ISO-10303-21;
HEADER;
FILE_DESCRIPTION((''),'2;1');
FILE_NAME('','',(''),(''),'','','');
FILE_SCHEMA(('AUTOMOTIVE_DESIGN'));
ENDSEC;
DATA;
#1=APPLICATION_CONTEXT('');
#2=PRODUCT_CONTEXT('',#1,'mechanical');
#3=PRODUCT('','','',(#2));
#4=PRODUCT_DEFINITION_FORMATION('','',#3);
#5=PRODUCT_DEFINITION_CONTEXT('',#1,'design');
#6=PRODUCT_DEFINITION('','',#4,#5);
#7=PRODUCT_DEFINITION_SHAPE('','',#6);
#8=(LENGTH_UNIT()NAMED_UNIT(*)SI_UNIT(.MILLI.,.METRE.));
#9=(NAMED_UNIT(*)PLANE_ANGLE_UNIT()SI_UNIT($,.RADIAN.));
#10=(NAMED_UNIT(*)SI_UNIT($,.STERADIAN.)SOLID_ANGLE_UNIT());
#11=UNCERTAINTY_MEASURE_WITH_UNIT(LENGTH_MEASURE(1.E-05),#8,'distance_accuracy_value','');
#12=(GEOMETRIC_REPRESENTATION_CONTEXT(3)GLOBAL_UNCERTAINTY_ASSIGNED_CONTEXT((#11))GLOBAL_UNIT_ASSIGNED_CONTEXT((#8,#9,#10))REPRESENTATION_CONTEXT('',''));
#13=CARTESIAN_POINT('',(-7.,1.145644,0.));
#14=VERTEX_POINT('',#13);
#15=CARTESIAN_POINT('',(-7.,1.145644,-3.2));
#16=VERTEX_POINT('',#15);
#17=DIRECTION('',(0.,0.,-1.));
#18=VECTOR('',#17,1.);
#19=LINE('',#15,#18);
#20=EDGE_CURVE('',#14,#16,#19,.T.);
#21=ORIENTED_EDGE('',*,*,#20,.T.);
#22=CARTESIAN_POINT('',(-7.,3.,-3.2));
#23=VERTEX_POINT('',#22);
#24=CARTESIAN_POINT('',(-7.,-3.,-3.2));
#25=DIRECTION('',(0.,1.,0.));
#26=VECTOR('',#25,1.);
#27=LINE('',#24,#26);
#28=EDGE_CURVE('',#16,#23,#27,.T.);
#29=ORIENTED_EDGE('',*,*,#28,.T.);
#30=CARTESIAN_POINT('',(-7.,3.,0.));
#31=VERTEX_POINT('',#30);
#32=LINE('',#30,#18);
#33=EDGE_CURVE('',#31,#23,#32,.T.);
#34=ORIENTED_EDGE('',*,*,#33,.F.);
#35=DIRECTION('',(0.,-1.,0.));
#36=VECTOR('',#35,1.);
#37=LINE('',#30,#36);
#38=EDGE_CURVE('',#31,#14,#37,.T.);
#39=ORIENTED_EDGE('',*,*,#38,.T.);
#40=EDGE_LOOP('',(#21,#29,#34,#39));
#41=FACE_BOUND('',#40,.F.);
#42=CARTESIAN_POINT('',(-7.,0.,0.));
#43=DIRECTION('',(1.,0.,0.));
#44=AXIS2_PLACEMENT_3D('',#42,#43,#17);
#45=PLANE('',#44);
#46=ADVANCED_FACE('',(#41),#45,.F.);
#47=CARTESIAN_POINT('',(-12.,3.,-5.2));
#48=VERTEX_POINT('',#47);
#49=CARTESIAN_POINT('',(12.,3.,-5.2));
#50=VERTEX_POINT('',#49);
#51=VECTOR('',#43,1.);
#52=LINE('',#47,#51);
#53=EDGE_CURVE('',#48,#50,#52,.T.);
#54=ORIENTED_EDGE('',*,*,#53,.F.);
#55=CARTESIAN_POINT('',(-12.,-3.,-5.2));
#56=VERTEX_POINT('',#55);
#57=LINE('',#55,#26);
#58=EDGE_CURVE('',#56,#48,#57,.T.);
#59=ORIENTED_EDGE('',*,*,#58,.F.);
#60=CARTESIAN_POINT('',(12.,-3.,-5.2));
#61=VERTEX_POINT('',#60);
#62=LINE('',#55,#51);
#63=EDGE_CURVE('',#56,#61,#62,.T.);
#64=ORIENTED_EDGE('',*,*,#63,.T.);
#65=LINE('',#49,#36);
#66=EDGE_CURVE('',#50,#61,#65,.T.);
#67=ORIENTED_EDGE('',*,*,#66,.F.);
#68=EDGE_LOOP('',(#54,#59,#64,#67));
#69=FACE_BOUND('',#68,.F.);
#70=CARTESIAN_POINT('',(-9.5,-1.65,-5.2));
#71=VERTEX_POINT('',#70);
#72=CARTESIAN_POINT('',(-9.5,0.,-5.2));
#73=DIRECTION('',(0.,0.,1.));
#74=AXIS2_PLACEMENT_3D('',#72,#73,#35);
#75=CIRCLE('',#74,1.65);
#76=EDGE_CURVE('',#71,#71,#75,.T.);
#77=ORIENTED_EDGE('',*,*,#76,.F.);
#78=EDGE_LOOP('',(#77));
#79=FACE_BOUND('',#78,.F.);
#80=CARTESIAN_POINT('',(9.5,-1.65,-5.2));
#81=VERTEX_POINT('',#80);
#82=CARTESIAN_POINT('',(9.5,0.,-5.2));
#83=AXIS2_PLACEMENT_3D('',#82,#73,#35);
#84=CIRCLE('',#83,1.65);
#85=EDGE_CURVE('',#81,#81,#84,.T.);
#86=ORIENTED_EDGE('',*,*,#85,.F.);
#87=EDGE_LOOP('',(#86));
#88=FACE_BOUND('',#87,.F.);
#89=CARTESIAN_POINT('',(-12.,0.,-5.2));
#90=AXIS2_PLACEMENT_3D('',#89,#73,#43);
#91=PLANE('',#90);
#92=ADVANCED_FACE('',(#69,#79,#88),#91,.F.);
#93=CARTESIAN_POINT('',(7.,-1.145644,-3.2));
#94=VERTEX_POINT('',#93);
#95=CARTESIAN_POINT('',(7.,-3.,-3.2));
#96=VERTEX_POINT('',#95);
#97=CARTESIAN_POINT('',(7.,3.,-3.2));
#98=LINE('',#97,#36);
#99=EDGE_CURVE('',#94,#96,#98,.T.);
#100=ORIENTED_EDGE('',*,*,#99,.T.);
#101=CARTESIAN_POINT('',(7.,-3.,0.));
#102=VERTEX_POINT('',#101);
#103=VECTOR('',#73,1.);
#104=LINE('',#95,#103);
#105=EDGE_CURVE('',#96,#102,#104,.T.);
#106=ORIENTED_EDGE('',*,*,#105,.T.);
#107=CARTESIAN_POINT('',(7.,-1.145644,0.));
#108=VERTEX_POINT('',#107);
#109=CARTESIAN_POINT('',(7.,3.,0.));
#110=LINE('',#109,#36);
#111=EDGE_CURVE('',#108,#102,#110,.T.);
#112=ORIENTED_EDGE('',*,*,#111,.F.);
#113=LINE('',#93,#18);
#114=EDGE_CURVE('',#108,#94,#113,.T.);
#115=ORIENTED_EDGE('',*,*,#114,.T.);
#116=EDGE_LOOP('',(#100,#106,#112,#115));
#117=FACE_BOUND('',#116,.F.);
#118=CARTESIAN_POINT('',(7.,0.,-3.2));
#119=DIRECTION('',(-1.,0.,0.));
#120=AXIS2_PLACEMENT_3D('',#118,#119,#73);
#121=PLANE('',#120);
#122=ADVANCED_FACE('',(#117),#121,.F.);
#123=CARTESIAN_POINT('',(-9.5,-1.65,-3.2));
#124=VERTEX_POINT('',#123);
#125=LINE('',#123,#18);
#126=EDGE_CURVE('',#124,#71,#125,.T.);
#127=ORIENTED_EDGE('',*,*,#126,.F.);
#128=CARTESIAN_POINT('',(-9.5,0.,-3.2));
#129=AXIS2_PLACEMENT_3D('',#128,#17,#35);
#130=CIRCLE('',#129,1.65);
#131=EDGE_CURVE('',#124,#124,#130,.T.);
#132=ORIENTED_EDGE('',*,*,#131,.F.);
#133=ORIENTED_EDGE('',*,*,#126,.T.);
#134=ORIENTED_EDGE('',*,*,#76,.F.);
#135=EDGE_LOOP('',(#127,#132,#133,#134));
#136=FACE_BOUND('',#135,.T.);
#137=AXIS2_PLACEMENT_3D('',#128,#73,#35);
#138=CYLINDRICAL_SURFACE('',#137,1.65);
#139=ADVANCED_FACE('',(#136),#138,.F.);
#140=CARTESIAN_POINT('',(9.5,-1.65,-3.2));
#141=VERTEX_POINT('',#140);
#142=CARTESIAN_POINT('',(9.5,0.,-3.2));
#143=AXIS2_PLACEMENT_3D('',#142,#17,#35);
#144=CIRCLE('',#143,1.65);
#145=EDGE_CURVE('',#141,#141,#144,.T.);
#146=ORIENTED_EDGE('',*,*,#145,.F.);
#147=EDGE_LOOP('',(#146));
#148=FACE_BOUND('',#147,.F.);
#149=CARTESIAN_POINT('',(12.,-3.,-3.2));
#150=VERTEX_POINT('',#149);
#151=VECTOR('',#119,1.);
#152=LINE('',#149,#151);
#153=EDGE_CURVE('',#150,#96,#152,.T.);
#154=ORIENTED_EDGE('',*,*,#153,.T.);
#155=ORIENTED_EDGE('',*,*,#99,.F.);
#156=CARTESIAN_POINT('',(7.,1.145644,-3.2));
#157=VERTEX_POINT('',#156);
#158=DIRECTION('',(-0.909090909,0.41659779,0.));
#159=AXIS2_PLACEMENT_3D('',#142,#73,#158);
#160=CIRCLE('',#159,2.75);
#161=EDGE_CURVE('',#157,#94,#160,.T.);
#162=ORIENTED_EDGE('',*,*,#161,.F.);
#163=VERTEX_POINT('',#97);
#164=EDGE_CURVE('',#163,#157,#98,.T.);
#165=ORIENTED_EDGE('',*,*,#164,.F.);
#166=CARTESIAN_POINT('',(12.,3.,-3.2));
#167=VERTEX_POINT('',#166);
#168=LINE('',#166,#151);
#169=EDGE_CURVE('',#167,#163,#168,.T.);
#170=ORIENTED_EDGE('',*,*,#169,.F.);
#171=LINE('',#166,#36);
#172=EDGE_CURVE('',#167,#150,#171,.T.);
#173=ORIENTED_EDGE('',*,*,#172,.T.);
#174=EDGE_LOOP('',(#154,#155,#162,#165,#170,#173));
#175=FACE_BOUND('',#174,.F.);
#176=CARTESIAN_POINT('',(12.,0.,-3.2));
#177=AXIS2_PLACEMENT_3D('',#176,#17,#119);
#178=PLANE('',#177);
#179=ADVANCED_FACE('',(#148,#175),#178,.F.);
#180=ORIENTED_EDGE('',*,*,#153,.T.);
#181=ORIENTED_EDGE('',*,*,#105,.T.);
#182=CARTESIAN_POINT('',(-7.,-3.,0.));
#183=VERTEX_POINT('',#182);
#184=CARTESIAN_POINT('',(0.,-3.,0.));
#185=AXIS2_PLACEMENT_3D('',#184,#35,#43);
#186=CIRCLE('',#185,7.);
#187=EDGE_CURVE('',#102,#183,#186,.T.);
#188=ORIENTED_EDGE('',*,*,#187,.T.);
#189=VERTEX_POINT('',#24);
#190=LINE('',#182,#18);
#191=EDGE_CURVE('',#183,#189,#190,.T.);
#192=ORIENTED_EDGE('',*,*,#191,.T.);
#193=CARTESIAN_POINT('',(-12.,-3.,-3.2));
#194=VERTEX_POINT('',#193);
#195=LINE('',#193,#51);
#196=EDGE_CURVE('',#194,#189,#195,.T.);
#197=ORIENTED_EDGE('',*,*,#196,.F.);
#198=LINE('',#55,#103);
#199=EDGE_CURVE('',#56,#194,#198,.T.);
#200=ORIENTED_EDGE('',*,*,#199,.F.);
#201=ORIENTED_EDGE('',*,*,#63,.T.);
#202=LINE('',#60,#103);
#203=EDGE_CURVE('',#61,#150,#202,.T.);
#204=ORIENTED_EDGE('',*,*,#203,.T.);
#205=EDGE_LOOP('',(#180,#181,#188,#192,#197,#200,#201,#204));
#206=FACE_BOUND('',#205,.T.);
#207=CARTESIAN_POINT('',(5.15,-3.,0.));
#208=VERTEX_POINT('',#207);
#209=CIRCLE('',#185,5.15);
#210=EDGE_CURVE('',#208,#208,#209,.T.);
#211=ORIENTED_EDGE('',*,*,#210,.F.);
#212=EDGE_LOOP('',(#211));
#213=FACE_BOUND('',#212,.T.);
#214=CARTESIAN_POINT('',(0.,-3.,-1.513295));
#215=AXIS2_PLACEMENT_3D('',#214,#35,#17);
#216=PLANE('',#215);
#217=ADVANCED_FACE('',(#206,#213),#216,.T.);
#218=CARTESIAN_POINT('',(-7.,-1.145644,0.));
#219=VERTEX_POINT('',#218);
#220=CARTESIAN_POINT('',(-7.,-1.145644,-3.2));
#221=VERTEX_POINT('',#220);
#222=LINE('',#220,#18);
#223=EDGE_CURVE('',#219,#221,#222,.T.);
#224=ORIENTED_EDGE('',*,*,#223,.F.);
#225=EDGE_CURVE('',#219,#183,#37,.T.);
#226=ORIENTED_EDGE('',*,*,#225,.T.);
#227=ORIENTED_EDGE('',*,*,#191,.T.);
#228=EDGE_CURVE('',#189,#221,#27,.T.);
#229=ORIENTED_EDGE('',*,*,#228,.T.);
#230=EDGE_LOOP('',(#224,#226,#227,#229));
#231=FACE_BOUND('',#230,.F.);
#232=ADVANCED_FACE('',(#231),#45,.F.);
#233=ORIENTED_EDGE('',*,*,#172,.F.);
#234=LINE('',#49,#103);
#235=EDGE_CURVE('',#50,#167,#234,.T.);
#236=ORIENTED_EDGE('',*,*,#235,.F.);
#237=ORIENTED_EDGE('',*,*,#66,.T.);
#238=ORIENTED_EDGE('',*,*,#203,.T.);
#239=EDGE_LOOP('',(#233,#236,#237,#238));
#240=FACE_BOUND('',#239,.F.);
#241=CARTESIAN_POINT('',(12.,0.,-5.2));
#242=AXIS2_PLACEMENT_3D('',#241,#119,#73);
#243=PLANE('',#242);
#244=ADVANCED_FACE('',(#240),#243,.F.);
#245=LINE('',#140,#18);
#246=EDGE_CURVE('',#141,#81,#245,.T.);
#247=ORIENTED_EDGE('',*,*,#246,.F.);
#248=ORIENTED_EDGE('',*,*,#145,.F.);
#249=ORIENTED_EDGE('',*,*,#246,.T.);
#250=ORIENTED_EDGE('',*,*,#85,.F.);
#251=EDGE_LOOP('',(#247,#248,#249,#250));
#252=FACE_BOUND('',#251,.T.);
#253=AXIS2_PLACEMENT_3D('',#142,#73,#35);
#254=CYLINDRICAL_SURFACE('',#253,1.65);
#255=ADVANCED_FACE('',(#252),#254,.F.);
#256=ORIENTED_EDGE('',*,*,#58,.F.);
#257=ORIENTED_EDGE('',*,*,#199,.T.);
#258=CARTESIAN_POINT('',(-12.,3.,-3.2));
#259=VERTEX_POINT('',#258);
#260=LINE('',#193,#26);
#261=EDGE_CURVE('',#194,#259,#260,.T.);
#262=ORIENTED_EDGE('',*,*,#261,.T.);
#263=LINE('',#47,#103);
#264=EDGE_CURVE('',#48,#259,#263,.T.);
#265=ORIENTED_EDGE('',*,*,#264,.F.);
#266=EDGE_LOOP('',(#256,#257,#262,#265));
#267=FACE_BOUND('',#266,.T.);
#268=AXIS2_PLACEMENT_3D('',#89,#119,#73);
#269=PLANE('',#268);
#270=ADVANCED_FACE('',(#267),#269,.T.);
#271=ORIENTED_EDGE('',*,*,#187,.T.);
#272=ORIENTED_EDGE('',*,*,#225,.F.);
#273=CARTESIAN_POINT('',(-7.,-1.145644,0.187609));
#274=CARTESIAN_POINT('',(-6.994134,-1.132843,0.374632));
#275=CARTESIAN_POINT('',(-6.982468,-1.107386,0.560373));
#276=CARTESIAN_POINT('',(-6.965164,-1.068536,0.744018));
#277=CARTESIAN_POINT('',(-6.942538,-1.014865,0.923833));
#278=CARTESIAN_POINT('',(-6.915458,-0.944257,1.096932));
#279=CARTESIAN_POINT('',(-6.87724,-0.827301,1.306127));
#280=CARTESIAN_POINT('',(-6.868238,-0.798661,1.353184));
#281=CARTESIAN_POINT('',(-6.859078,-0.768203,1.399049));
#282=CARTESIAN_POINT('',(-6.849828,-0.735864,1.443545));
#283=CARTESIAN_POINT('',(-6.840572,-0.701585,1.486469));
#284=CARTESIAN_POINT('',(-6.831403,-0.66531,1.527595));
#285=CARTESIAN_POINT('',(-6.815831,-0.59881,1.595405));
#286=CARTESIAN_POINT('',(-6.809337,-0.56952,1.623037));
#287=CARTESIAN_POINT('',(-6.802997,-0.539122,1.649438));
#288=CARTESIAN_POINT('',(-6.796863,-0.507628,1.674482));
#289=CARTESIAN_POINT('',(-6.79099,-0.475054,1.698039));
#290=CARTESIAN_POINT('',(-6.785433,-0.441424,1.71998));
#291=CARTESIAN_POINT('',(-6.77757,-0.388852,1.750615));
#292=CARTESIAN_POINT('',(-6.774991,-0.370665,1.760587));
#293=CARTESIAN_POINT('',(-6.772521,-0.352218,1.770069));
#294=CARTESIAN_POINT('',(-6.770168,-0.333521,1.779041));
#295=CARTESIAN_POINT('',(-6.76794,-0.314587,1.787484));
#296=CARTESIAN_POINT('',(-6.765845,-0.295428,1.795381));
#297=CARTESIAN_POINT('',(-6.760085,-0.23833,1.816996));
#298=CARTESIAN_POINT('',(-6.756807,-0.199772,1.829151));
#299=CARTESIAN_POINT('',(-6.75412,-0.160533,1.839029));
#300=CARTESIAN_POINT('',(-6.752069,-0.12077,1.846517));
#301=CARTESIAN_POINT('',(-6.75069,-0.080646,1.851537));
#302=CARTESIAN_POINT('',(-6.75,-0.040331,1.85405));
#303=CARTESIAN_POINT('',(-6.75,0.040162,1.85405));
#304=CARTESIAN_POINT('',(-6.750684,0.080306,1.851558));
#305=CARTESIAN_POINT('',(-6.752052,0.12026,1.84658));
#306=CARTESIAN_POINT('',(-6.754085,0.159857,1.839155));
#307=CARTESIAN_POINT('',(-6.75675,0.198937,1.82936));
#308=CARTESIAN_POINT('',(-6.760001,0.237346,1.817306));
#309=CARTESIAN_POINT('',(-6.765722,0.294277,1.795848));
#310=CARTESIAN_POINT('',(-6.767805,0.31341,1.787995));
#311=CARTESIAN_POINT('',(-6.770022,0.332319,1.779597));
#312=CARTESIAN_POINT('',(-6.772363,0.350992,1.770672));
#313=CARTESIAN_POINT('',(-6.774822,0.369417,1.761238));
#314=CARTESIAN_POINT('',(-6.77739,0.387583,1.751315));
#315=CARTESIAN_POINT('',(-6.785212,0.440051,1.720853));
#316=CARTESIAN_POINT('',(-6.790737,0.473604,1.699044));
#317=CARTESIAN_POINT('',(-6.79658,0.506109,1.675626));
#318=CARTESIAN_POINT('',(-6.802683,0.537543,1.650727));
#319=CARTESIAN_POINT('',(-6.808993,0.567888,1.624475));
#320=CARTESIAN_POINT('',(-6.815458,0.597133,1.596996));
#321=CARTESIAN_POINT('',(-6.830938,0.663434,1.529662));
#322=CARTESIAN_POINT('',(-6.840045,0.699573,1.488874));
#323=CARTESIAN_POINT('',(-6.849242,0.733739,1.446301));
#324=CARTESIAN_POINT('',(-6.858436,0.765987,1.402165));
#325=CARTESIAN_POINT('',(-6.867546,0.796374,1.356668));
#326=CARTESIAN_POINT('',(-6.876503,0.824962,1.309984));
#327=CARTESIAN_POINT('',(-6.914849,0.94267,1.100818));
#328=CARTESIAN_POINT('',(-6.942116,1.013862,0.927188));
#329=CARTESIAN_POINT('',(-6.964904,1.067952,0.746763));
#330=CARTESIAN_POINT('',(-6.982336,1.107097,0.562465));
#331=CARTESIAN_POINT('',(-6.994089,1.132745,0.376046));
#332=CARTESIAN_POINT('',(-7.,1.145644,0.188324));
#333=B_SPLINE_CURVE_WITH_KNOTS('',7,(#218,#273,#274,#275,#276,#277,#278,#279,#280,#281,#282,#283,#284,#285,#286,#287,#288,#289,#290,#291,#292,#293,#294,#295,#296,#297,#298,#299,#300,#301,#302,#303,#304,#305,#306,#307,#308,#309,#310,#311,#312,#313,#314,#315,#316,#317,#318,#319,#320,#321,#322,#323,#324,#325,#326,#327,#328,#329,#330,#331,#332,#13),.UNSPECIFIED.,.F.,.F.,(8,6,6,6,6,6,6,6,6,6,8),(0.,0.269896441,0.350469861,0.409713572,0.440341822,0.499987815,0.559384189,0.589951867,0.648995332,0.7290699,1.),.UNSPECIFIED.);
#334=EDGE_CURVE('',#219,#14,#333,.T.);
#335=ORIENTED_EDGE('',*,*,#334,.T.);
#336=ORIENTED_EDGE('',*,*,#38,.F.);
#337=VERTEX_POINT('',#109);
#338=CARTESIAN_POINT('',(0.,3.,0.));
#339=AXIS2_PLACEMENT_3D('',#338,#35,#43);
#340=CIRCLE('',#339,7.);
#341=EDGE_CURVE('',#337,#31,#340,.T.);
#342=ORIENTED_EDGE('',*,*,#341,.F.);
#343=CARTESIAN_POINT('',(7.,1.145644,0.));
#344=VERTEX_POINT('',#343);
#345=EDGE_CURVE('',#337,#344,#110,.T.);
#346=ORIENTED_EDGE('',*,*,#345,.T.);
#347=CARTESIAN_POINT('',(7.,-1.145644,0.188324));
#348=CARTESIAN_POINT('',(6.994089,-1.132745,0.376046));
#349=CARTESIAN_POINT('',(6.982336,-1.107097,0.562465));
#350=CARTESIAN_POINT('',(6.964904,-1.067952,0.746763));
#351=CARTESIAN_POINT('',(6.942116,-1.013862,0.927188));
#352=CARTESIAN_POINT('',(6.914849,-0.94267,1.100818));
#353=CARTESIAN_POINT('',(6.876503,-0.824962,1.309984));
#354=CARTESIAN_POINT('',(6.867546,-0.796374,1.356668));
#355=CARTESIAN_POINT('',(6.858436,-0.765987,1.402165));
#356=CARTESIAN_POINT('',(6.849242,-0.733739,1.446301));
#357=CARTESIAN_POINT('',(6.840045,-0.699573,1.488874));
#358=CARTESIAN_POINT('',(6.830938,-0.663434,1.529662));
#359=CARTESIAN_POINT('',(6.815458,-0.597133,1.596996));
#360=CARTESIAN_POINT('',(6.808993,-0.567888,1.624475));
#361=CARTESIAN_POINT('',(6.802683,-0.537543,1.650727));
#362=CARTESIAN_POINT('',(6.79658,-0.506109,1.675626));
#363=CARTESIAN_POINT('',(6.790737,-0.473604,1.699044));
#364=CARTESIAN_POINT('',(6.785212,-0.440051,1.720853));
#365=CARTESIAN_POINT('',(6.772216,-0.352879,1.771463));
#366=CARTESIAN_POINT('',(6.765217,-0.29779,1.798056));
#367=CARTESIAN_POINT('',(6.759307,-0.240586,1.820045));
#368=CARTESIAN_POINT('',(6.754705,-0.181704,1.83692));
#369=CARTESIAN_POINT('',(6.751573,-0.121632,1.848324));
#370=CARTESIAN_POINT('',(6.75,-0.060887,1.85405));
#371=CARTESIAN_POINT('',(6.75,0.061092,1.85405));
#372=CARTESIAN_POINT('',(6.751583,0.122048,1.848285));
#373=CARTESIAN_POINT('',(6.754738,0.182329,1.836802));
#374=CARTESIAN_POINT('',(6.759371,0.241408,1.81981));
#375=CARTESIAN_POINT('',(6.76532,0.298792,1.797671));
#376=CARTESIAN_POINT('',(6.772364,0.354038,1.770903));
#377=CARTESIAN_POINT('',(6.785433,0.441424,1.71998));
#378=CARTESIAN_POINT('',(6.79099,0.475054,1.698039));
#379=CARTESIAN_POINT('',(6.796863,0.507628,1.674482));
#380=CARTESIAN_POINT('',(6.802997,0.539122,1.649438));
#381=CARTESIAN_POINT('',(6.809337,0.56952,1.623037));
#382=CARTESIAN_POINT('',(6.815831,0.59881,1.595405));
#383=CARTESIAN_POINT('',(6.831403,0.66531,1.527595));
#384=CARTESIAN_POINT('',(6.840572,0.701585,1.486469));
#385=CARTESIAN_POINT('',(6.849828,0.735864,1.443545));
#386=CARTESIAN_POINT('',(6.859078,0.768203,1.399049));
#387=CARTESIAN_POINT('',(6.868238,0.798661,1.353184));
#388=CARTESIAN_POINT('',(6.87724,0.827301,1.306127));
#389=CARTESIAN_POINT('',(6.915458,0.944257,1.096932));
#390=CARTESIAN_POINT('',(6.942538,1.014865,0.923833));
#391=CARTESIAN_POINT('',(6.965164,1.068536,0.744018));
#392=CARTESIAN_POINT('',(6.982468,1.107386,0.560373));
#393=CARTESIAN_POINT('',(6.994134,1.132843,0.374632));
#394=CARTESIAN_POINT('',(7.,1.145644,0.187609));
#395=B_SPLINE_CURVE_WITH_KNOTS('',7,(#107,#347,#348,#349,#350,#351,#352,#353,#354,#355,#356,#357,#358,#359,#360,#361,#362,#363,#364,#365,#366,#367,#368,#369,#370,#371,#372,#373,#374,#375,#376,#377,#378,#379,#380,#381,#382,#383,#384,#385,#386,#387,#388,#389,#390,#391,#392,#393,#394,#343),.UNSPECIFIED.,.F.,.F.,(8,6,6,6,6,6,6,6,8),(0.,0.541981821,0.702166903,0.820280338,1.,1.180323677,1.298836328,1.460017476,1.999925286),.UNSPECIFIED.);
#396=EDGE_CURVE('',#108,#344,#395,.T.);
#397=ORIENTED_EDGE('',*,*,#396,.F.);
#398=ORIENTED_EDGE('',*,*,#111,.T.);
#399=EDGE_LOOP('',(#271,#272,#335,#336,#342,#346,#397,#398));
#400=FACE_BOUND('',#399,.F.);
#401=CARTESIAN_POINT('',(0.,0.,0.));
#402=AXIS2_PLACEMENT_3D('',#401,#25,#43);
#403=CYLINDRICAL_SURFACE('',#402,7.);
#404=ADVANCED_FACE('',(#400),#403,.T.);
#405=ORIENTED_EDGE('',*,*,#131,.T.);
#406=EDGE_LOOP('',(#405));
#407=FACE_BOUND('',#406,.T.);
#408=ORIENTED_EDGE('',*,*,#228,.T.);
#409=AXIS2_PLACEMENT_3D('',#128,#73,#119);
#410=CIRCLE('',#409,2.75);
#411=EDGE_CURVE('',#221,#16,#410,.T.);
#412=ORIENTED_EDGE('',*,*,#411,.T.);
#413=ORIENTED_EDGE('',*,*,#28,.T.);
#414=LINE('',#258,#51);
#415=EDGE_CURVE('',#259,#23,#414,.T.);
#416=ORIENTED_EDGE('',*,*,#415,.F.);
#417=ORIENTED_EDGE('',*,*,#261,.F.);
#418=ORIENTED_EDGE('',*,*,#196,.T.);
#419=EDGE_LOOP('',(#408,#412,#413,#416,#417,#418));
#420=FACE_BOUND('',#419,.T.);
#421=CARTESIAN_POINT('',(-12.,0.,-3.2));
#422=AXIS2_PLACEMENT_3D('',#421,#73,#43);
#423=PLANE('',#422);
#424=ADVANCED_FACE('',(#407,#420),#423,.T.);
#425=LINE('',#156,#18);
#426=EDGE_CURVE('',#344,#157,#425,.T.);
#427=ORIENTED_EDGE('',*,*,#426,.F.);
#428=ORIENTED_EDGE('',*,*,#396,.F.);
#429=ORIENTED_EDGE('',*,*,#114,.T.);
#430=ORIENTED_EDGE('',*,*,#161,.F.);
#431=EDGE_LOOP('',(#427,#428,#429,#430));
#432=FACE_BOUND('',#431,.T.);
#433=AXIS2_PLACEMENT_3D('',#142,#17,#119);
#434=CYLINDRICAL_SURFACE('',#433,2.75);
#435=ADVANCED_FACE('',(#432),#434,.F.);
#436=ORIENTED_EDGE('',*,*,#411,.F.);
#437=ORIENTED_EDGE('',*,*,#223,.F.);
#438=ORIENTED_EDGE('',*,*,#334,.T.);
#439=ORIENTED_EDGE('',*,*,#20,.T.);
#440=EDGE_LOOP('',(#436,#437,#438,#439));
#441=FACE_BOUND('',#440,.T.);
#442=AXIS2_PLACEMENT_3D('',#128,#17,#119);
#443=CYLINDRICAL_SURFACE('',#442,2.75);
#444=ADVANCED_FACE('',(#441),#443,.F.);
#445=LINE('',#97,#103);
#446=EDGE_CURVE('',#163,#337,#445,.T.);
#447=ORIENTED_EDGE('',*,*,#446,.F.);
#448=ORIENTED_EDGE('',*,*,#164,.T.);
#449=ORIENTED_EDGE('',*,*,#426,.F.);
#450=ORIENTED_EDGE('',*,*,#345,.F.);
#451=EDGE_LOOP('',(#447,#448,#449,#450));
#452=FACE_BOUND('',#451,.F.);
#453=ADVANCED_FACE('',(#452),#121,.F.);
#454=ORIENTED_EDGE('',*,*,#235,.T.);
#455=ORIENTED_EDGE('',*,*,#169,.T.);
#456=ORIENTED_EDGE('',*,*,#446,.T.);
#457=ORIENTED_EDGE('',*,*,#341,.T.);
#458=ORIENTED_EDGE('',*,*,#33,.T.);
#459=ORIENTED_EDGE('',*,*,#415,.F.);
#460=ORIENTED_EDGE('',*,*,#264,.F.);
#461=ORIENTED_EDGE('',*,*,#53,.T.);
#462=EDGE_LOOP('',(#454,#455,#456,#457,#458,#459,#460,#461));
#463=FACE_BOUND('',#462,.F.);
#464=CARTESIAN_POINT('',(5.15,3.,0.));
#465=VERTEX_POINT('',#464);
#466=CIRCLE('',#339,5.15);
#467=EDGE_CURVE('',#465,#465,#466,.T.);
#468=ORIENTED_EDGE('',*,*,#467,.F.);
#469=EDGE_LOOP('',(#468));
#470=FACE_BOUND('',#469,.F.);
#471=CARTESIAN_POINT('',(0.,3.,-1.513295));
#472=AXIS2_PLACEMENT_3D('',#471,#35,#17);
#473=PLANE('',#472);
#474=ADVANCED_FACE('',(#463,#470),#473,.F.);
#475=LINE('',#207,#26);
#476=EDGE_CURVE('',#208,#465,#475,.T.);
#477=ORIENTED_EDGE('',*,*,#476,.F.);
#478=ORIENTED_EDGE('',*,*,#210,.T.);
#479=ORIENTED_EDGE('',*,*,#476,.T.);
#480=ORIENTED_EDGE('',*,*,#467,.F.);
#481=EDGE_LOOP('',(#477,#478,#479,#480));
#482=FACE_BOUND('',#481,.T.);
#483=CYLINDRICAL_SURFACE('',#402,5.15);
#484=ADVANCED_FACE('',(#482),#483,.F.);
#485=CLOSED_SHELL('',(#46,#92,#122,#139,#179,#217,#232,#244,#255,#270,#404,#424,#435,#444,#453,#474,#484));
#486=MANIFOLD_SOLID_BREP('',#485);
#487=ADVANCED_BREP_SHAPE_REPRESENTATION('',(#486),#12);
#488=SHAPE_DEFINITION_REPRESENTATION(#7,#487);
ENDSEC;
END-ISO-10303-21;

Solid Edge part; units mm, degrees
sketch "Sketch1" plane through (0, 0, 0) normal (0, -1, 0) x (1, 0, 0)
  circle A0 centre (0, 0) radius 5.15
  line L0 (-12, -5.2) -> (12, -5.2)
  line L1 (12, -5.2) -> (12, -3.2)
  line L2 (12, -3.2) -> (7, -3.2)
  line L3 (7, -3.2) -> (7, 0)
  arc A1 (7, 0) -> (-7, 0) centre (0, 0) ccw
  line L4 (-7, 0) -> (-7, -3.2)
  line L5 (-12, -3.2) -> (-7, -3.2)
  line L6 (-12, -5.2) -> (-12, -3.2)
  dimension "D1" = 14
  dimension "D2" = 2
  dimension "D3" = 24
  dimension "D4" = 2
  dimension "D5" = 10.3
  dimension "D6" = 3.2
extrude "Protrusion1" add sketch "Sketch1" along normal mid plane 6
hole "Hole1" at (-9.5, 0, -3.2) direction (0, 0, -1) diameter 3.3 end up to next
hole "Hole2" at (9.5, 0, -3.2) direction (0, 0, -1) diameter 3.3 end up to next
sketch "Sketch2" plane through (9.5, 0, -3.2) normal (0, 0, 1) x (-1, 0, 0)
  circle A0 centre (19, 0) radius 2.75
  circle A1 centre (0, 0) radius 2.75
  dimension "D1" = 5.5
  dimension "D2" = 5.5
extrude "Cutout1" cut sketch "Sketch2" along normal up to next
properties material "ABS, alto impacto"
